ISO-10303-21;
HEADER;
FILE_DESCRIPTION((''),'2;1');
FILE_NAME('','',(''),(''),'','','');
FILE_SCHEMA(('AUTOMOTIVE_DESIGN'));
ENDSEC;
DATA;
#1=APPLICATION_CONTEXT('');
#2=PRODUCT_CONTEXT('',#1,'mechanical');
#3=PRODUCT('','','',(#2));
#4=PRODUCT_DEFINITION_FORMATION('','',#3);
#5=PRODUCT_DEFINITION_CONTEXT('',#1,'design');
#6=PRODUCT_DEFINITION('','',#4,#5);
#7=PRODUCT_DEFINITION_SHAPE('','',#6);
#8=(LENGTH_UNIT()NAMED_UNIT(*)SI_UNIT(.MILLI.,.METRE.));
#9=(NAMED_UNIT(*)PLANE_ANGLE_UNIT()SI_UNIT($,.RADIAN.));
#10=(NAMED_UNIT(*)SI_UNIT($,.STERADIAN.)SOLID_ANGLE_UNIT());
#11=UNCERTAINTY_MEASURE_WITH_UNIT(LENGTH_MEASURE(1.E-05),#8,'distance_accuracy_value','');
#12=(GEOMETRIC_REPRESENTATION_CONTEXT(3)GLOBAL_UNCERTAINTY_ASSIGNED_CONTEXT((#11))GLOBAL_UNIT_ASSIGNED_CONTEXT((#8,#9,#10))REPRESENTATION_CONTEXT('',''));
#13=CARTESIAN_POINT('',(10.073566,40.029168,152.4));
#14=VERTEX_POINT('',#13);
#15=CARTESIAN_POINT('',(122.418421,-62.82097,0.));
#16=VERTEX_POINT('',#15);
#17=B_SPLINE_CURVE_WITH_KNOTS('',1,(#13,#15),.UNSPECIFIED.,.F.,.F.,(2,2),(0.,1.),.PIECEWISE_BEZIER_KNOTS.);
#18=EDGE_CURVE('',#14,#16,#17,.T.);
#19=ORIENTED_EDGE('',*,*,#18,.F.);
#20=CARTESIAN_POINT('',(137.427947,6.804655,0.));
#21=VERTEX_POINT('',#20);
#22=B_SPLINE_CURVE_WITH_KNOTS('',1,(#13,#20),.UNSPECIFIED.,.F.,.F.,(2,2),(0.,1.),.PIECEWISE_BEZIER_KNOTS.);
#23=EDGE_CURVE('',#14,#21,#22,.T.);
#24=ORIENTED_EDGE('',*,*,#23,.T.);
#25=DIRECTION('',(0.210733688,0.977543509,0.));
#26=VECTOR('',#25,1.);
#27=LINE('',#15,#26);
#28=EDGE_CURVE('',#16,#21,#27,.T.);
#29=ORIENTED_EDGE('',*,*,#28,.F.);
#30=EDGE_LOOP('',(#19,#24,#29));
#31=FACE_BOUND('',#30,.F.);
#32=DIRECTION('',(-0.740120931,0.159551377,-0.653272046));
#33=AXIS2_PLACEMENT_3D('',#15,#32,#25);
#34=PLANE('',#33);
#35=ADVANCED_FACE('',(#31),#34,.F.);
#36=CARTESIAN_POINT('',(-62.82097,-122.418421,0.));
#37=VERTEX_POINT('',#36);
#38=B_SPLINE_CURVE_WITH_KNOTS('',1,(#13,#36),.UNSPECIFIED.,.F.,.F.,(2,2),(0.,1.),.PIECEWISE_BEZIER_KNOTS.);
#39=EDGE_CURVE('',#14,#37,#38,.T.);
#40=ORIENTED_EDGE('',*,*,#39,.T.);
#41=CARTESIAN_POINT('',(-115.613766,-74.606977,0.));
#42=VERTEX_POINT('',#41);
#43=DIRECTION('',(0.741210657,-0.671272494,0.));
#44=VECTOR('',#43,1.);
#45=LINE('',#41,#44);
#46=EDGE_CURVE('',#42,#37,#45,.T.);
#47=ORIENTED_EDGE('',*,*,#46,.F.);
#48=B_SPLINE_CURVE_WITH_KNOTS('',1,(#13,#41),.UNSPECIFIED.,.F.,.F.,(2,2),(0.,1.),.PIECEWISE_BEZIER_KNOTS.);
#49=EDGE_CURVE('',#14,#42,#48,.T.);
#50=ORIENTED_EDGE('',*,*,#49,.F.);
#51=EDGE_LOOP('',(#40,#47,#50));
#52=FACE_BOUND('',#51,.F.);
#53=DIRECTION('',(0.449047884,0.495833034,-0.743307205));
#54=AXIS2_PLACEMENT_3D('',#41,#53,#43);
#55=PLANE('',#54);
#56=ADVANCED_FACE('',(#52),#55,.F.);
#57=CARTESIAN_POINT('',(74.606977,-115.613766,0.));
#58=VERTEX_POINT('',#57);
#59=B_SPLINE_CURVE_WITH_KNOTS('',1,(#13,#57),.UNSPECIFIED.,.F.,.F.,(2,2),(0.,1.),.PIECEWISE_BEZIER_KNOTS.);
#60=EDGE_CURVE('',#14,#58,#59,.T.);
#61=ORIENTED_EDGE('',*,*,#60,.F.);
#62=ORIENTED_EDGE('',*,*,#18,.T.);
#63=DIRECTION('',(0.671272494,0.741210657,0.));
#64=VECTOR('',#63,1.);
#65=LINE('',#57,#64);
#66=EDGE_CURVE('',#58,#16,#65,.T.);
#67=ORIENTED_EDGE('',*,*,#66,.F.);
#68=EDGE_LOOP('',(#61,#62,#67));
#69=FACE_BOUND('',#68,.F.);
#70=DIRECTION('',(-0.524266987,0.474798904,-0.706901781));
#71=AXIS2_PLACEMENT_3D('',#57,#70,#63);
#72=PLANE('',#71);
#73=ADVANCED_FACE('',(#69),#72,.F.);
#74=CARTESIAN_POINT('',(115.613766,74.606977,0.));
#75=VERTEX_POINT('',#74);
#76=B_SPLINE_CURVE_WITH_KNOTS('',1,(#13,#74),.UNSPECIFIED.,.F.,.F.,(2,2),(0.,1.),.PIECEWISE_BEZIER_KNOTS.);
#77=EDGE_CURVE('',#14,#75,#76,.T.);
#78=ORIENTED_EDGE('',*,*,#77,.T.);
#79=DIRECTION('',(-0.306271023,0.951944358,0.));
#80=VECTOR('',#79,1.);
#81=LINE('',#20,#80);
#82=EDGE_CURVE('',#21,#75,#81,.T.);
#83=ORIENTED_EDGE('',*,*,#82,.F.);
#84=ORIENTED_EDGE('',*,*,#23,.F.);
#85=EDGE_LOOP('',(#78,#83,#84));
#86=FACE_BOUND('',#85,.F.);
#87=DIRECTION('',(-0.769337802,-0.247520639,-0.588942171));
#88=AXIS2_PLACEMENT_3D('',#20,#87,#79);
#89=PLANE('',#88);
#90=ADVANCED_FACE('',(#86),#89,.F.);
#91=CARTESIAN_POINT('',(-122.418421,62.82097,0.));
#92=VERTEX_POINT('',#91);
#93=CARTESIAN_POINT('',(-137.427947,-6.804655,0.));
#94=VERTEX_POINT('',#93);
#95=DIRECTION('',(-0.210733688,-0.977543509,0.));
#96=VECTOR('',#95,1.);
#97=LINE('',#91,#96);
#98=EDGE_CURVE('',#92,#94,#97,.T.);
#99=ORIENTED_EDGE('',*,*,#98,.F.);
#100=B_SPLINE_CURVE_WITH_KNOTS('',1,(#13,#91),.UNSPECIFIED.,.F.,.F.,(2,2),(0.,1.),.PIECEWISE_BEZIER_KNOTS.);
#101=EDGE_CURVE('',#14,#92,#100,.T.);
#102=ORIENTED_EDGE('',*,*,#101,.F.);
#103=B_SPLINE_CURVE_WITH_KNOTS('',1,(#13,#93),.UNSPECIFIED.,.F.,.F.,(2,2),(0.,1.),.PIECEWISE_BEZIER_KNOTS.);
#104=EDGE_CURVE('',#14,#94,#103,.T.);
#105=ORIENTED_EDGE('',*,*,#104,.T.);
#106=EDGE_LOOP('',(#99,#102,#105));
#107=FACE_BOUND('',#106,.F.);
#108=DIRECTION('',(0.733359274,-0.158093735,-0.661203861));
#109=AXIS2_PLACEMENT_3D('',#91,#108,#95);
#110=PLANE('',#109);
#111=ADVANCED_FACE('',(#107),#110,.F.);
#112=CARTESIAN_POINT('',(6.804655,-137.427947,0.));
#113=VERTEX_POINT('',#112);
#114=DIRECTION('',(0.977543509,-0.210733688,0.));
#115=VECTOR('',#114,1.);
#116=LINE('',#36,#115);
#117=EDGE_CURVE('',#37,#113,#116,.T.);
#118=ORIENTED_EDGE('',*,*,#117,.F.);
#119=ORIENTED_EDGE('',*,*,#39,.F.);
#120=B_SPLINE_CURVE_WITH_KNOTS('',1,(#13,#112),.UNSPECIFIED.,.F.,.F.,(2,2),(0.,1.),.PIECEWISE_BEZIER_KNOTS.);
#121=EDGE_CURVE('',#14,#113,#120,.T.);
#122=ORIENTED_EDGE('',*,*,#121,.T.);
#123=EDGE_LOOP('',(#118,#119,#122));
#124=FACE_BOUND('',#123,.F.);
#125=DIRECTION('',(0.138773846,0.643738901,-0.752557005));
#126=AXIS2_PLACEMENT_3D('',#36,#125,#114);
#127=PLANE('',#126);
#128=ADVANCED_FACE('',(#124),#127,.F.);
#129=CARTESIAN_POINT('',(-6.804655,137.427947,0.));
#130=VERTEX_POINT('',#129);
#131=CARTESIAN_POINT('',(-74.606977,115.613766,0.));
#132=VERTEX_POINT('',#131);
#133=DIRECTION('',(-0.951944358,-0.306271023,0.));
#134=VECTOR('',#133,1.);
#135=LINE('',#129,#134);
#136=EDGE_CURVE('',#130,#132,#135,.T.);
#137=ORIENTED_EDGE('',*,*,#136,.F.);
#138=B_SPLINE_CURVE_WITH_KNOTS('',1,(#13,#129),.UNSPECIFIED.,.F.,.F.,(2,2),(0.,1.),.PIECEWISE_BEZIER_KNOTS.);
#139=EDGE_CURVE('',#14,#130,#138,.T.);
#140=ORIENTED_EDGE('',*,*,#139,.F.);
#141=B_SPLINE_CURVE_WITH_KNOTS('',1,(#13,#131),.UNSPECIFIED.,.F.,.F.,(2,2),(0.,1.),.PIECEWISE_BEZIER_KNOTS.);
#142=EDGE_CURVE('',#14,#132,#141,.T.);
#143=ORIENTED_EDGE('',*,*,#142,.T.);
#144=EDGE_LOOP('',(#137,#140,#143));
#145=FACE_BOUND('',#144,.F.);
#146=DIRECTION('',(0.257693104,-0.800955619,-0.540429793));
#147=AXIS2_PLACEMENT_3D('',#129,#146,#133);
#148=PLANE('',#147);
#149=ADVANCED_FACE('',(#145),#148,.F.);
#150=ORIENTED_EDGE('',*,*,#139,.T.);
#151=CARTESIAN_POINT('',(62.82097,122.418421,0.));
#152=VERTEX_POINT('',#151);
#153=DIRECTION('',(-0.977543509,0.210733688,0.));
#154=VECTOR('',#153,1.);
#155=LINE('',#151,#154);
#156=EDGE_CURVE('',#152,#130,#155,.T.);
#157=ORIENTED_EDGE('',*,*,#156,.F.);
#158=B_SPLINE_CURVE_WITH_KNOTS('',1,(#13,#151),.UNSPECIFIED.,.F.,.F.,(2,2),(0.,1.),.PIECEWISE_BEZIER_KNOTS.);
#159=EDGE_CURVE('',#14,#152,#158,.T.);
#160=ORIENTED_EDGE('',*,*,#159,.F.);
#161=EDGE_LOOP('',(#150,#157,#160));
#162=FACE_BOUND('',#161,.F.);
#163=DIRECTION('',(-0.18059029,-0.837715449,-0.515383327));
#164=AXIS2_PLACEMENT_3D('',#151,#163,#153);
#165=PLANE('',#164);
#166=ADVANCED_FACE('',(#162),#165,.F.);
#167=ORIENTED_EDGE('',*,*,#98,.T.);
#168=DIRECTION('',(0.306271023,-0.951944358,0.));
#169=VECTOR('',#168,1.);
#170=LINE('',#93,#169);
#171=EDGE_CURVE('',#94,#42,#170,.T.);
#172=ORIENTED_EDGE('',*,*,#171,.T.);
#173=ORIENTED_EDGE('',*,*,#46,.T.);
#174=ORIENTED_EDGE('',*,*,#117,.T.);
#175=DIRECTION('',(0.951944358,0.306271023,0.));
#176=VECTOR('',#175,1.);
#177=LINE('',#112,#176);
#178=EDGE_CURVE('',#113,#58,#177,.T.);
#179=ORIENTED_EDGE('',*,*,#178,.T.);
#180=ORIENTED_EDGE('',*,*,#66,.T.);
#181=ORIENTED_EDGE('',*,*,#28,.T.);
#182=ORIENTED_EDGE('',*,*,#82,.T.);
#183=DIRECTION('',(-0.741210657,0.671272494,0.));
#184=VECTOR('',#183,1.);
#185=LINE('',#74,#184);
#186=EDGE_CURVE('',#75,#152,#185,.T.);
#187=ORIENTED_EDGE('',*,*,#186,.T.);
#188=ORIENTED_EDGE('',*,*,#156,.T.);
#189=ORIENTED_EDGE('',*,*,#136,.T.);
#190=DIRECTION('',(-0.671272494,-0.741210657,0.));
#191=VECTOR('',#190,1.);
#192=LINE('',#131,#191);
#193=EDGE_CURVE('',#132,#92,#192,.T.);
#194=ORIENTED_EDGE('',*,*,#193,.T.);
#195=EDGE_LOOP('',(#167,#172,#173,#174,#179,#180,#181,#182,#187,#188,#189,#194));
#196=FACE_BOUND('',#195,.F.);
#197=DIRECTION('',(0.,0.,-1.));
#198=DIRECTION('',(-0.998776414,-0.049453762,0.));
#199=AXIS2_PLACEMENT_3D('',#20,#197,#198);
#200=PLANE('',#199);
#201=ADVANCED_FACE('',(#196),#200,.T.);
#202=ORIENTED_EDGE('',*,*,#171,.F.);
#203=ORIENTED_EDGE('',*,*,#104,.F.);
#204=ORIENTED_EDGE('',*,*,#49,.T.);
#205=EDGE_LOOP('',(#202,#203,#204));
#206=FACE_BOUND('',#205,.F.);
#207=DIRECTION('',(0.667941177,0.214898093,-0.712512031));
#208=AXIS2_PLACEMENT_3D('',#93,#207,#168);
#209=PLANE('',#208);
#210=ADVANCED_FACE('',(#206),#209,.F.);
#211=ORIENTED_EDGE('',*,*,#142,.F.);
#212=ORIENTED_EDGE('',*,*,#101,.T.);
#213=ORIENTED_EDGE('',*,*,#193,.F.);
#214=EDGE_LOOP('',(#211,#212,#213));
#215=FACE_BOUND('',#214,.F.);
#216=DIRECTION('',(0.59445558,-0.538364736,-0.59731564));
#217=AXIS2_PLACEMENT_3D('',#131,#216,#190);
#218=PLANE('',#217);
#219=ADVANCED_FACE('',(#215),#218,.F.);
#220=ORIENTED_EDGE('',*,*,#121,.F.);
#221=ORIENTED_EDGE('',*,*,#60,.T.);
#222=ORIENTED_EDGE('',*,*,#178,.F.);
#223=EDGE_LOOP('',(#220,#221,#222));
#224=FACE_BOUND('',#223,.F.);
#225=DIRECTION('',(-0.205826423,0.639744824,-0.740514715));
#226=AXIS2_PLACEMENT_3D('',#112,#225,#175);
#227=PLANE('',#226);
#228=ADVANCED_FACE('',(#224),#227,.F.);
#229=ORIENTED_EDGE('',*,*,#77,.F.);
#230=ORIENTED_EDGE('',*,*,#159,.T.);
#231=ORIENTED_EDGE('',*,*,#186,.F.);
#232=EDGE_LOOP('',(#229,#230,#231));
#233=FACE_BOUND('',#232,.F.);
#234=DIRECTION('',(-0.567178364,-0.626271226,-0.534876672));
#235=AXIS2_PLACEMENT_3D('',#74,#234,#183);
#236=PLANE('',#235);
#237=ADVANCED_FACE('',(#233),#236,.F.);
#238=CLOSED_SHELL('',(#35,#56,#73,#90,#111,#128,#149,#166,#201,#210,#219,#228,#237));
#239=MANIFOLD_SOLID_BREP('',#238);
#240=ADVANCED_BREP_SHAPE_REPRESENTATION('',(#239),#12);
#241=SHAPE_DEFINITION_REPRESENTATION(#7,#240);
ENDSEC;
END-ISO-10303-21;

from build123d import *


with BuildPart() as f3:
    # F0 (on Top) → F3 section 0
    with BuildSketch(Plane.XY, mode=Mode.PRIVATE) as f3_s0:
        Polygon((137.427947, 6.804655), (115.613766, 74.606977), (62.82097, 122.418421), (-6.804655, 137.427947), (-74.606977, 115.613766), (-122.418421, 62.82097), (-137.427947, -6.804655), (-115.613766, -74.606977), (-62.82097, -122.418421), (6.804655, -137.427947), (74.606977, -115.613766), (122.418421, -62.82097), align=None)
    loft([Vertex(10.073566, 40.029168, 152.4), f3_s0.sketch])


solid = f3.part
